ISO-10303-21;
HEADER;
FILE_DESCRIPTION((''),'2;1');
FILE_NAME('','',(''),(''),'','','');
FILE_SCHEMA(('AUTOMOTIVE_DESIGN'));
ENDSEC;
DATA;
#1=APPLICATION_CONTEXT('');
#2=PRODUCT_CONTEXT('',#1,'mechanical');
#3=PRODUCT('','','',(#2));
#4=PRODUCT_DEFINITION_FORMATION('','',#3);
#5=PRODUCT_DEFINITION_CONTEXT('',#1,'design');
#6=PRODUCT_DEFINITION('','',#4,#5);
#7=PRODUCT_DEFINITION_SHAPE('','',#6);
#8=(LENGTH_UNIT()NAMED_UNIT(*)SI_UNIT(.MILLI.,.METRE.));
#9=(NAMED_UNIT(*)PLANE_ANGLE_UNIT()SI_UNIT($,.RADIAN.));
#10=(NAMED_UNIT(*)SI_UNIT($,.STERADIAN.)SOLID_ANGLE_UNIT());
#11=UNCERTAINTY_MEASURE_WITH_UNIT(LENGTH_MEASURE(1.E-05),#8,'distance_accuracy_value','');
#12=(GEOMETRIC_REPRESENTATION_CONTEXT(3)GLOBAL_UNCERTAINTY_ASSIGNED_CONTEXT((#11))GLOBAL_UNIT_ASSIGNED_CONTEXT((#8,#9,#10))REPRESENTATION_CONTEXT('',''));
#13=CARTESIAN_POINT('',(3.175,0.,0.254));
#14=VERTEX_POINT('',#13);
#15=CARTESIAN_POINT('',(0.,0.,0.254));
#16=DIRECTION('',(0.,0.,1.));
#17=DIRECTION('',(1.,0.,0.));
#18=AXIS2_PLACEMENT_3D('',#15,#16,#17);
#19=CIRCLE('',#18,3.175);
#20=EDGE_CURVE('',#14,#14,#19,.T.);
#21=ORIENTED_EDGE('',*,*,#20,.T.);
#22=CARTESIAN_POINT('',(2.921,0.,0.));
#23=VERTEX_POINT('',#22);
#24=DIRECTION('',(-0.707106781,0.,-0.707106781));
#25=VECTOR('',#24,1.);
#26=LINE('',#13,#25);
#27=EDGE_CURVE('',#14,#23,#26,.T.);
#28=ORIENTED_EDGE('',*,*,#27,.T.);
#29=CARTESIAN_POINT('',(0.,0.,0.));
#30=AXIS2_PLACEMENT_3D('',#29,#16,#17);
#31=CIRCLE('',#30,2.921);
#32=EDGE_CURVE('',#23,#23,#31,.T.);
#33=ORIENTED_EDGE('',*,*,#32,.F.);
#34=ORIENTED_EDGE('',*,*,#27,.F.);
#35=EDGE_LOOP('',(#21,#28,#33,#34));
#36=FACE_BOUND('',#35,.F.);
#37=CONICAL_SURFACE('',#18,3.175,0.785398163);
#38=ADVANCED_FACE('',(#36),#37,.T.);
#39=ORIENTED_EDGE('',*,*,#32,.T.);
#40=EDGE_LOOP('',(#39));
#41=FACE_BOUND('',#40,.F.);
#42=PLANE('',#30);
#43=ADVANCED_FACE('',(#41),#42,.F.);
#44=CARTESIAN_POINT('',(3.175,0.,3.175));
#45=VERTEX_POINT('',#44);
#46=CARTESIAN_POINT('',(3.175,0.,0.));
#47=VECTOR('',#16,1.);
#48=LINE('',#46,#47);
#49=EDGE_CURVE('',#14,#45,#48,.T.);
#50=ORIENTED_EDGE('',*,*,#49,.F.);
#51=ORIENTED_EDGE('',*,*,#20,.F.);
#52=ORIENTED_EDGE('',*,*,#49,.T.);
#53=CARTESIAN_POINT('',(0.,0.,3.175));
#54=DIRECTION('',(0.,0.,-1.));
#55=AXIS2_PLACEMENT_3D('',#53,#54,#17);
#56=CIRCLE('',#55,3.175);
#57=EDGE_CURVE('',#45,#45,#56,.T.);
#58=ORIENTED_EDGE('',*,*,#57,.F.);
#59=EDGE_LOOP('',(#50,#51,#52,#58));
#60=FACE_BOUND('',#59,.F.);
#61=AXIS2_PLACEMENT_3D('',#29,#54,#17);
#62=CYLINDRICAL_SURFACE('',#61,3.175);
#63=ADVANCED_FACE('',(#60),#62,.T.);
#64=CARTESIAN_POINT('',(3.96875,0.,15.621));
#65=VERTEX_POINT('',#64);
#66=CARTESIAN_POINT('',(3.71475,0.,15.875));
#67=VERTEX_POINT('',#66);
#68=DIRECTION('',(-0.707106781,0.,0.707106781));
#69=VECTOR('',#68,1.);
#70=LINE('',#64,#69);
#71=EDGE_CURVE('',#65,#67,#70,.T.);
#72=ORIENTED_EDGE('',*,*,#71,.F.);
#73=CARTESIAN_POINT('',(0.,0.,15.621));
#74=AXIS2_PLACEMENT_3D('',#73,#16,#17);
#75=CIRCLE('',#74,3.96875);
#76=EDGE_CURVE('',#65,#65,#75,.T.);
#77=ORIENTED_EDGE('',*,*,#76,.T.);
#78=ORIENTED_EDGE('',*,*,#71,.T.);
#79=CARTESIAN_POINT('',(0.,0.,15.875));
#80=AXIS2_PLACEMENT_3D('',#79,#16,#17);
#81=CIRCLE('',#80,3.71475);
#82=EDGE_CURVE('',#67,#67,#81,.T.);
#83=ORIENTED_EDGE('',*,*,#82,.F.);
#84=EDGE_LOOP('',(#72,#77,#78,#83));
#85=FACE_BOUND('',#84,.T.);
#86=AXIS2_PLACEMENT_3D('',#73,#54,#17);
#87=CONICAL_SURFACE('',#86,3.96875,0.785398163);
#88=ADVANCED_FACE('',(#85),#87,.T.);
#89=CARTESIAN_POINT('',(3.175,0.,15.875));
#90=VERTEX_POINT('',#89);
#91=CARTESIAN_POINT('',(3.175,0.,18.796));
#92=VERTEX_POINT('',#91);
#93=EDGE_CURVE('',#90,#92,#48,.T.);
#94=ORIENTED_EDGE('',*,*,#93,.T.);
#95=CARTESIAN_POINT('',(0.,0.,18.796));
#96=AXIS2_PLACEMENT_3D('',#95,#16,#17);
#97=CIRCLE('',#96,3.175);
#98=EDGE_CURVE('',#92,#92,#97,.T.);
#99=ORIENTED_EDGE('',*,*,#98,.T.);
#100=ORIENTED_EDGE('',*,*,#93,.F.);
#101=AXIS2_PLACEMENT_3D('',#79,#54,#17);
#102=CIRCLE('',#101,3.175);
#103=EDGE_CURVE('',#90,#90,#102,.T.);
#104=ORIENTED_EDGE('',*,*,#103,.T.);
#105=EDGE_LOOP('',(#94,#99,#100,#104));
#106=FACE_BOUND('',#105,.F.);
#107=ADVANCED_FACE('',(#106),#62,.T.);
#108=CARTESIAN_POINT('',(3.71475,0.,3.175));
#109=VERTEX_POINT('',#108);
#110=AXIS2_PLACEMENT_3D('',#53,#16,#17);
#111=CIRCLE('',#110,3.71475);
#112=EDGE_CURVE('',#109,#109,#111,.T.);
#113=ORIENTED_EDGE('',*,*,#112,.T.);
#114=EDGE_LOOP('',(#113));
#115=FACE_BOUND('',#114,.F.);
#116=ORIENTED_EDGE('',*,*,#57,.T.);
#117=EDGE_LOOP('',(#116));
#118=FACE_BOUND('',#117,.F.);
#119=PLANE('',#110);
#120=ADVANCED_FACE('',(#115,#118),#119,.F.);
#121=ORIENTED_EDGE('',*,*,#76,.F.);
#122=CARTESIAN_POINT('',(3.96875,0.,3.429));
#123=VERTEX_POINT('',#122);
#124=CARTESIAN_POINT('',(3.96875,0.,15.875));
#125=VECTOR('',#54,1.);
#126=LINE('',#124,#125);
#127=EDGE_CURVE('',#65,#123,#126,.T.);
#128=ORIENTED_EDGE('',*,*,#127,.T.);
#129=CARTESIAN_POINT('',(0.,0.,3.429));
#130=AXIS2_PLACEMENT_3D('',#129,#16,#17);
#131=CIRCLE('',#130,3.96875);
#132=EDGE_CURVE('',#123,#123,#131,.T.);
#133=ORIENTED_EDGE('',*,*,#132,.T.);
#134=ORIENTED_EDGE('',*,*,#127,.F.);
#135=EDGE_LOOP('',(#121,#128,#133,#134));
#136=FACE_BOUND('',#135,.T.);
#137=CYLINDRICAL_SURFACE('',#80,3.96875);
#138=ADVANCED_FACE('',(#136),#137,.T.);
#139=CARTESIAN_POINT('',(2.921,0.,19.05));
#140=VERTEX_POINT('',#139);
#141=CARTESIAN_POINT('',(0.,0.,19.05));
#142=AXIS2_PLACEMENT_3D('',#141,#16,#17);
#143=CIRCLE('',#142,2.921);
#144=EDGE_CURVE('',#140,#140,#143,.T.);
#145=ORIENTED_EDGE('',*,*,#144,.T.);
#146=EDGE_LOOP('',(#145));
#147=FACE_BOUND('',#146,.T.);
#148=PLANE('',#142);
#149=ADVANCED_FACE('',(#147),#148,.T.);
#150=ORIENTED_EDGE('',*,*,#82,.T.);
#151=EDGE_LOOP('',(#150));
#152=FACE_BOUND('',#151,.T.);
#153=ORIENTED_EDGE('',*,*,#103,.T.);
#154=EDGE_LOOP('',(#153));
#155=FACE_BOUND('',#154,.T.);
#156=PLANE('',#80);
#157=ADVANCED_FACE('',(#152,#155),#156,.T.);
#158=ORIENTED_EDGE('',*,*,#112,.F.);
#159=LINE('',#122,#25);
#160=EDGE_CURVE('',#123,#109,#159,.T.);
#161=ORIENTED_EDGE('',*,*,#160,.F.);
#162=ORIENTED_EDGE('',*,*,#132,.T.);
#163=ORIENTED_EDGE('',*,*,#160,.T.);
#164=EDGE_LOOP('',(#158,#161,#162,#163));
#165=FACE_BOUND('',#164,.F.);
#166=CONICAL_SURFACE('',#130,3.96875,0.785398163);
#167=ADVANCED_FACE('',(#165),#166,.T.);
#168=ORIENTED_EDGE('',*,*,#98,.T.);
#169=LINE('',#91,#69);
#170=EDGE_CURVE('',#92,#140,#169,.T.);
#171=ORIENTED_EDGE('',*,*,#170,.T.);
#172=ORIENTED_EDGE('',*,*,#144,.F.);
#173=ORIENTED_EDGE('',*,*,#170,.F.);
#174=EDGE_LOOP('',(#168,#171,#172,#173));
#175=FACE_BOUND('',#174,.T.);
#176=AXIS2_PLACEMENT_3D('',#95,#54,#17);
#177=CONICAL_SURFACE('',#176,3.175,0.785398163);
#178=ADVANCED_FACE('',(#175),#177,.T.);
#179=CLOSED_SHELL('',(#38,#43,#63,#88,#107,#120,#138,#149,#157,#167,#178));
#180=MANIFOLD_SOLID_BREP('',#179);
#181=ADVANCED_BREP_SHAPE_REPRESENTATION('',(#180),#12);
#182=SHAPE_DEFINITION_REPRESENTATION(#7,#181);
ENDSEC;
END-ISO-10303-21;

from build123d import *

# Parameters (mm, degrees)
F0_R     = 3.175
F1_DEPTH = 19.05
F3_R     = 3.96875
F4_DEPTH = 12.7
F5_SIZE  = 0.254


with BuildPart() as f1:
    # F0 (on Top) → F1 (new body)
    with BuildSketch(Plane.XY):
        Circle(F0_R)
    extrude(amount=F1_DEPTH)

    # F3 (on offset) → F4 (join)
    with BuildSketch(Plane.XY.offset(15.875)):
        Circle(F3_R)
    extrude(amount=-F4_DEPTH)

    # F5
    f5_edges = [f1.edges().sort_by_distance(p)[0] for p in [
        (-3.175, 0, 19.05),
        (-3.96875, 0, 15.875),
        (-3.96875, 0, 3.175),
        (-3.175, 0, 0),
    ]]
    chamfer(f5_edges, length=F5_SIZE)


solid = f1.part
